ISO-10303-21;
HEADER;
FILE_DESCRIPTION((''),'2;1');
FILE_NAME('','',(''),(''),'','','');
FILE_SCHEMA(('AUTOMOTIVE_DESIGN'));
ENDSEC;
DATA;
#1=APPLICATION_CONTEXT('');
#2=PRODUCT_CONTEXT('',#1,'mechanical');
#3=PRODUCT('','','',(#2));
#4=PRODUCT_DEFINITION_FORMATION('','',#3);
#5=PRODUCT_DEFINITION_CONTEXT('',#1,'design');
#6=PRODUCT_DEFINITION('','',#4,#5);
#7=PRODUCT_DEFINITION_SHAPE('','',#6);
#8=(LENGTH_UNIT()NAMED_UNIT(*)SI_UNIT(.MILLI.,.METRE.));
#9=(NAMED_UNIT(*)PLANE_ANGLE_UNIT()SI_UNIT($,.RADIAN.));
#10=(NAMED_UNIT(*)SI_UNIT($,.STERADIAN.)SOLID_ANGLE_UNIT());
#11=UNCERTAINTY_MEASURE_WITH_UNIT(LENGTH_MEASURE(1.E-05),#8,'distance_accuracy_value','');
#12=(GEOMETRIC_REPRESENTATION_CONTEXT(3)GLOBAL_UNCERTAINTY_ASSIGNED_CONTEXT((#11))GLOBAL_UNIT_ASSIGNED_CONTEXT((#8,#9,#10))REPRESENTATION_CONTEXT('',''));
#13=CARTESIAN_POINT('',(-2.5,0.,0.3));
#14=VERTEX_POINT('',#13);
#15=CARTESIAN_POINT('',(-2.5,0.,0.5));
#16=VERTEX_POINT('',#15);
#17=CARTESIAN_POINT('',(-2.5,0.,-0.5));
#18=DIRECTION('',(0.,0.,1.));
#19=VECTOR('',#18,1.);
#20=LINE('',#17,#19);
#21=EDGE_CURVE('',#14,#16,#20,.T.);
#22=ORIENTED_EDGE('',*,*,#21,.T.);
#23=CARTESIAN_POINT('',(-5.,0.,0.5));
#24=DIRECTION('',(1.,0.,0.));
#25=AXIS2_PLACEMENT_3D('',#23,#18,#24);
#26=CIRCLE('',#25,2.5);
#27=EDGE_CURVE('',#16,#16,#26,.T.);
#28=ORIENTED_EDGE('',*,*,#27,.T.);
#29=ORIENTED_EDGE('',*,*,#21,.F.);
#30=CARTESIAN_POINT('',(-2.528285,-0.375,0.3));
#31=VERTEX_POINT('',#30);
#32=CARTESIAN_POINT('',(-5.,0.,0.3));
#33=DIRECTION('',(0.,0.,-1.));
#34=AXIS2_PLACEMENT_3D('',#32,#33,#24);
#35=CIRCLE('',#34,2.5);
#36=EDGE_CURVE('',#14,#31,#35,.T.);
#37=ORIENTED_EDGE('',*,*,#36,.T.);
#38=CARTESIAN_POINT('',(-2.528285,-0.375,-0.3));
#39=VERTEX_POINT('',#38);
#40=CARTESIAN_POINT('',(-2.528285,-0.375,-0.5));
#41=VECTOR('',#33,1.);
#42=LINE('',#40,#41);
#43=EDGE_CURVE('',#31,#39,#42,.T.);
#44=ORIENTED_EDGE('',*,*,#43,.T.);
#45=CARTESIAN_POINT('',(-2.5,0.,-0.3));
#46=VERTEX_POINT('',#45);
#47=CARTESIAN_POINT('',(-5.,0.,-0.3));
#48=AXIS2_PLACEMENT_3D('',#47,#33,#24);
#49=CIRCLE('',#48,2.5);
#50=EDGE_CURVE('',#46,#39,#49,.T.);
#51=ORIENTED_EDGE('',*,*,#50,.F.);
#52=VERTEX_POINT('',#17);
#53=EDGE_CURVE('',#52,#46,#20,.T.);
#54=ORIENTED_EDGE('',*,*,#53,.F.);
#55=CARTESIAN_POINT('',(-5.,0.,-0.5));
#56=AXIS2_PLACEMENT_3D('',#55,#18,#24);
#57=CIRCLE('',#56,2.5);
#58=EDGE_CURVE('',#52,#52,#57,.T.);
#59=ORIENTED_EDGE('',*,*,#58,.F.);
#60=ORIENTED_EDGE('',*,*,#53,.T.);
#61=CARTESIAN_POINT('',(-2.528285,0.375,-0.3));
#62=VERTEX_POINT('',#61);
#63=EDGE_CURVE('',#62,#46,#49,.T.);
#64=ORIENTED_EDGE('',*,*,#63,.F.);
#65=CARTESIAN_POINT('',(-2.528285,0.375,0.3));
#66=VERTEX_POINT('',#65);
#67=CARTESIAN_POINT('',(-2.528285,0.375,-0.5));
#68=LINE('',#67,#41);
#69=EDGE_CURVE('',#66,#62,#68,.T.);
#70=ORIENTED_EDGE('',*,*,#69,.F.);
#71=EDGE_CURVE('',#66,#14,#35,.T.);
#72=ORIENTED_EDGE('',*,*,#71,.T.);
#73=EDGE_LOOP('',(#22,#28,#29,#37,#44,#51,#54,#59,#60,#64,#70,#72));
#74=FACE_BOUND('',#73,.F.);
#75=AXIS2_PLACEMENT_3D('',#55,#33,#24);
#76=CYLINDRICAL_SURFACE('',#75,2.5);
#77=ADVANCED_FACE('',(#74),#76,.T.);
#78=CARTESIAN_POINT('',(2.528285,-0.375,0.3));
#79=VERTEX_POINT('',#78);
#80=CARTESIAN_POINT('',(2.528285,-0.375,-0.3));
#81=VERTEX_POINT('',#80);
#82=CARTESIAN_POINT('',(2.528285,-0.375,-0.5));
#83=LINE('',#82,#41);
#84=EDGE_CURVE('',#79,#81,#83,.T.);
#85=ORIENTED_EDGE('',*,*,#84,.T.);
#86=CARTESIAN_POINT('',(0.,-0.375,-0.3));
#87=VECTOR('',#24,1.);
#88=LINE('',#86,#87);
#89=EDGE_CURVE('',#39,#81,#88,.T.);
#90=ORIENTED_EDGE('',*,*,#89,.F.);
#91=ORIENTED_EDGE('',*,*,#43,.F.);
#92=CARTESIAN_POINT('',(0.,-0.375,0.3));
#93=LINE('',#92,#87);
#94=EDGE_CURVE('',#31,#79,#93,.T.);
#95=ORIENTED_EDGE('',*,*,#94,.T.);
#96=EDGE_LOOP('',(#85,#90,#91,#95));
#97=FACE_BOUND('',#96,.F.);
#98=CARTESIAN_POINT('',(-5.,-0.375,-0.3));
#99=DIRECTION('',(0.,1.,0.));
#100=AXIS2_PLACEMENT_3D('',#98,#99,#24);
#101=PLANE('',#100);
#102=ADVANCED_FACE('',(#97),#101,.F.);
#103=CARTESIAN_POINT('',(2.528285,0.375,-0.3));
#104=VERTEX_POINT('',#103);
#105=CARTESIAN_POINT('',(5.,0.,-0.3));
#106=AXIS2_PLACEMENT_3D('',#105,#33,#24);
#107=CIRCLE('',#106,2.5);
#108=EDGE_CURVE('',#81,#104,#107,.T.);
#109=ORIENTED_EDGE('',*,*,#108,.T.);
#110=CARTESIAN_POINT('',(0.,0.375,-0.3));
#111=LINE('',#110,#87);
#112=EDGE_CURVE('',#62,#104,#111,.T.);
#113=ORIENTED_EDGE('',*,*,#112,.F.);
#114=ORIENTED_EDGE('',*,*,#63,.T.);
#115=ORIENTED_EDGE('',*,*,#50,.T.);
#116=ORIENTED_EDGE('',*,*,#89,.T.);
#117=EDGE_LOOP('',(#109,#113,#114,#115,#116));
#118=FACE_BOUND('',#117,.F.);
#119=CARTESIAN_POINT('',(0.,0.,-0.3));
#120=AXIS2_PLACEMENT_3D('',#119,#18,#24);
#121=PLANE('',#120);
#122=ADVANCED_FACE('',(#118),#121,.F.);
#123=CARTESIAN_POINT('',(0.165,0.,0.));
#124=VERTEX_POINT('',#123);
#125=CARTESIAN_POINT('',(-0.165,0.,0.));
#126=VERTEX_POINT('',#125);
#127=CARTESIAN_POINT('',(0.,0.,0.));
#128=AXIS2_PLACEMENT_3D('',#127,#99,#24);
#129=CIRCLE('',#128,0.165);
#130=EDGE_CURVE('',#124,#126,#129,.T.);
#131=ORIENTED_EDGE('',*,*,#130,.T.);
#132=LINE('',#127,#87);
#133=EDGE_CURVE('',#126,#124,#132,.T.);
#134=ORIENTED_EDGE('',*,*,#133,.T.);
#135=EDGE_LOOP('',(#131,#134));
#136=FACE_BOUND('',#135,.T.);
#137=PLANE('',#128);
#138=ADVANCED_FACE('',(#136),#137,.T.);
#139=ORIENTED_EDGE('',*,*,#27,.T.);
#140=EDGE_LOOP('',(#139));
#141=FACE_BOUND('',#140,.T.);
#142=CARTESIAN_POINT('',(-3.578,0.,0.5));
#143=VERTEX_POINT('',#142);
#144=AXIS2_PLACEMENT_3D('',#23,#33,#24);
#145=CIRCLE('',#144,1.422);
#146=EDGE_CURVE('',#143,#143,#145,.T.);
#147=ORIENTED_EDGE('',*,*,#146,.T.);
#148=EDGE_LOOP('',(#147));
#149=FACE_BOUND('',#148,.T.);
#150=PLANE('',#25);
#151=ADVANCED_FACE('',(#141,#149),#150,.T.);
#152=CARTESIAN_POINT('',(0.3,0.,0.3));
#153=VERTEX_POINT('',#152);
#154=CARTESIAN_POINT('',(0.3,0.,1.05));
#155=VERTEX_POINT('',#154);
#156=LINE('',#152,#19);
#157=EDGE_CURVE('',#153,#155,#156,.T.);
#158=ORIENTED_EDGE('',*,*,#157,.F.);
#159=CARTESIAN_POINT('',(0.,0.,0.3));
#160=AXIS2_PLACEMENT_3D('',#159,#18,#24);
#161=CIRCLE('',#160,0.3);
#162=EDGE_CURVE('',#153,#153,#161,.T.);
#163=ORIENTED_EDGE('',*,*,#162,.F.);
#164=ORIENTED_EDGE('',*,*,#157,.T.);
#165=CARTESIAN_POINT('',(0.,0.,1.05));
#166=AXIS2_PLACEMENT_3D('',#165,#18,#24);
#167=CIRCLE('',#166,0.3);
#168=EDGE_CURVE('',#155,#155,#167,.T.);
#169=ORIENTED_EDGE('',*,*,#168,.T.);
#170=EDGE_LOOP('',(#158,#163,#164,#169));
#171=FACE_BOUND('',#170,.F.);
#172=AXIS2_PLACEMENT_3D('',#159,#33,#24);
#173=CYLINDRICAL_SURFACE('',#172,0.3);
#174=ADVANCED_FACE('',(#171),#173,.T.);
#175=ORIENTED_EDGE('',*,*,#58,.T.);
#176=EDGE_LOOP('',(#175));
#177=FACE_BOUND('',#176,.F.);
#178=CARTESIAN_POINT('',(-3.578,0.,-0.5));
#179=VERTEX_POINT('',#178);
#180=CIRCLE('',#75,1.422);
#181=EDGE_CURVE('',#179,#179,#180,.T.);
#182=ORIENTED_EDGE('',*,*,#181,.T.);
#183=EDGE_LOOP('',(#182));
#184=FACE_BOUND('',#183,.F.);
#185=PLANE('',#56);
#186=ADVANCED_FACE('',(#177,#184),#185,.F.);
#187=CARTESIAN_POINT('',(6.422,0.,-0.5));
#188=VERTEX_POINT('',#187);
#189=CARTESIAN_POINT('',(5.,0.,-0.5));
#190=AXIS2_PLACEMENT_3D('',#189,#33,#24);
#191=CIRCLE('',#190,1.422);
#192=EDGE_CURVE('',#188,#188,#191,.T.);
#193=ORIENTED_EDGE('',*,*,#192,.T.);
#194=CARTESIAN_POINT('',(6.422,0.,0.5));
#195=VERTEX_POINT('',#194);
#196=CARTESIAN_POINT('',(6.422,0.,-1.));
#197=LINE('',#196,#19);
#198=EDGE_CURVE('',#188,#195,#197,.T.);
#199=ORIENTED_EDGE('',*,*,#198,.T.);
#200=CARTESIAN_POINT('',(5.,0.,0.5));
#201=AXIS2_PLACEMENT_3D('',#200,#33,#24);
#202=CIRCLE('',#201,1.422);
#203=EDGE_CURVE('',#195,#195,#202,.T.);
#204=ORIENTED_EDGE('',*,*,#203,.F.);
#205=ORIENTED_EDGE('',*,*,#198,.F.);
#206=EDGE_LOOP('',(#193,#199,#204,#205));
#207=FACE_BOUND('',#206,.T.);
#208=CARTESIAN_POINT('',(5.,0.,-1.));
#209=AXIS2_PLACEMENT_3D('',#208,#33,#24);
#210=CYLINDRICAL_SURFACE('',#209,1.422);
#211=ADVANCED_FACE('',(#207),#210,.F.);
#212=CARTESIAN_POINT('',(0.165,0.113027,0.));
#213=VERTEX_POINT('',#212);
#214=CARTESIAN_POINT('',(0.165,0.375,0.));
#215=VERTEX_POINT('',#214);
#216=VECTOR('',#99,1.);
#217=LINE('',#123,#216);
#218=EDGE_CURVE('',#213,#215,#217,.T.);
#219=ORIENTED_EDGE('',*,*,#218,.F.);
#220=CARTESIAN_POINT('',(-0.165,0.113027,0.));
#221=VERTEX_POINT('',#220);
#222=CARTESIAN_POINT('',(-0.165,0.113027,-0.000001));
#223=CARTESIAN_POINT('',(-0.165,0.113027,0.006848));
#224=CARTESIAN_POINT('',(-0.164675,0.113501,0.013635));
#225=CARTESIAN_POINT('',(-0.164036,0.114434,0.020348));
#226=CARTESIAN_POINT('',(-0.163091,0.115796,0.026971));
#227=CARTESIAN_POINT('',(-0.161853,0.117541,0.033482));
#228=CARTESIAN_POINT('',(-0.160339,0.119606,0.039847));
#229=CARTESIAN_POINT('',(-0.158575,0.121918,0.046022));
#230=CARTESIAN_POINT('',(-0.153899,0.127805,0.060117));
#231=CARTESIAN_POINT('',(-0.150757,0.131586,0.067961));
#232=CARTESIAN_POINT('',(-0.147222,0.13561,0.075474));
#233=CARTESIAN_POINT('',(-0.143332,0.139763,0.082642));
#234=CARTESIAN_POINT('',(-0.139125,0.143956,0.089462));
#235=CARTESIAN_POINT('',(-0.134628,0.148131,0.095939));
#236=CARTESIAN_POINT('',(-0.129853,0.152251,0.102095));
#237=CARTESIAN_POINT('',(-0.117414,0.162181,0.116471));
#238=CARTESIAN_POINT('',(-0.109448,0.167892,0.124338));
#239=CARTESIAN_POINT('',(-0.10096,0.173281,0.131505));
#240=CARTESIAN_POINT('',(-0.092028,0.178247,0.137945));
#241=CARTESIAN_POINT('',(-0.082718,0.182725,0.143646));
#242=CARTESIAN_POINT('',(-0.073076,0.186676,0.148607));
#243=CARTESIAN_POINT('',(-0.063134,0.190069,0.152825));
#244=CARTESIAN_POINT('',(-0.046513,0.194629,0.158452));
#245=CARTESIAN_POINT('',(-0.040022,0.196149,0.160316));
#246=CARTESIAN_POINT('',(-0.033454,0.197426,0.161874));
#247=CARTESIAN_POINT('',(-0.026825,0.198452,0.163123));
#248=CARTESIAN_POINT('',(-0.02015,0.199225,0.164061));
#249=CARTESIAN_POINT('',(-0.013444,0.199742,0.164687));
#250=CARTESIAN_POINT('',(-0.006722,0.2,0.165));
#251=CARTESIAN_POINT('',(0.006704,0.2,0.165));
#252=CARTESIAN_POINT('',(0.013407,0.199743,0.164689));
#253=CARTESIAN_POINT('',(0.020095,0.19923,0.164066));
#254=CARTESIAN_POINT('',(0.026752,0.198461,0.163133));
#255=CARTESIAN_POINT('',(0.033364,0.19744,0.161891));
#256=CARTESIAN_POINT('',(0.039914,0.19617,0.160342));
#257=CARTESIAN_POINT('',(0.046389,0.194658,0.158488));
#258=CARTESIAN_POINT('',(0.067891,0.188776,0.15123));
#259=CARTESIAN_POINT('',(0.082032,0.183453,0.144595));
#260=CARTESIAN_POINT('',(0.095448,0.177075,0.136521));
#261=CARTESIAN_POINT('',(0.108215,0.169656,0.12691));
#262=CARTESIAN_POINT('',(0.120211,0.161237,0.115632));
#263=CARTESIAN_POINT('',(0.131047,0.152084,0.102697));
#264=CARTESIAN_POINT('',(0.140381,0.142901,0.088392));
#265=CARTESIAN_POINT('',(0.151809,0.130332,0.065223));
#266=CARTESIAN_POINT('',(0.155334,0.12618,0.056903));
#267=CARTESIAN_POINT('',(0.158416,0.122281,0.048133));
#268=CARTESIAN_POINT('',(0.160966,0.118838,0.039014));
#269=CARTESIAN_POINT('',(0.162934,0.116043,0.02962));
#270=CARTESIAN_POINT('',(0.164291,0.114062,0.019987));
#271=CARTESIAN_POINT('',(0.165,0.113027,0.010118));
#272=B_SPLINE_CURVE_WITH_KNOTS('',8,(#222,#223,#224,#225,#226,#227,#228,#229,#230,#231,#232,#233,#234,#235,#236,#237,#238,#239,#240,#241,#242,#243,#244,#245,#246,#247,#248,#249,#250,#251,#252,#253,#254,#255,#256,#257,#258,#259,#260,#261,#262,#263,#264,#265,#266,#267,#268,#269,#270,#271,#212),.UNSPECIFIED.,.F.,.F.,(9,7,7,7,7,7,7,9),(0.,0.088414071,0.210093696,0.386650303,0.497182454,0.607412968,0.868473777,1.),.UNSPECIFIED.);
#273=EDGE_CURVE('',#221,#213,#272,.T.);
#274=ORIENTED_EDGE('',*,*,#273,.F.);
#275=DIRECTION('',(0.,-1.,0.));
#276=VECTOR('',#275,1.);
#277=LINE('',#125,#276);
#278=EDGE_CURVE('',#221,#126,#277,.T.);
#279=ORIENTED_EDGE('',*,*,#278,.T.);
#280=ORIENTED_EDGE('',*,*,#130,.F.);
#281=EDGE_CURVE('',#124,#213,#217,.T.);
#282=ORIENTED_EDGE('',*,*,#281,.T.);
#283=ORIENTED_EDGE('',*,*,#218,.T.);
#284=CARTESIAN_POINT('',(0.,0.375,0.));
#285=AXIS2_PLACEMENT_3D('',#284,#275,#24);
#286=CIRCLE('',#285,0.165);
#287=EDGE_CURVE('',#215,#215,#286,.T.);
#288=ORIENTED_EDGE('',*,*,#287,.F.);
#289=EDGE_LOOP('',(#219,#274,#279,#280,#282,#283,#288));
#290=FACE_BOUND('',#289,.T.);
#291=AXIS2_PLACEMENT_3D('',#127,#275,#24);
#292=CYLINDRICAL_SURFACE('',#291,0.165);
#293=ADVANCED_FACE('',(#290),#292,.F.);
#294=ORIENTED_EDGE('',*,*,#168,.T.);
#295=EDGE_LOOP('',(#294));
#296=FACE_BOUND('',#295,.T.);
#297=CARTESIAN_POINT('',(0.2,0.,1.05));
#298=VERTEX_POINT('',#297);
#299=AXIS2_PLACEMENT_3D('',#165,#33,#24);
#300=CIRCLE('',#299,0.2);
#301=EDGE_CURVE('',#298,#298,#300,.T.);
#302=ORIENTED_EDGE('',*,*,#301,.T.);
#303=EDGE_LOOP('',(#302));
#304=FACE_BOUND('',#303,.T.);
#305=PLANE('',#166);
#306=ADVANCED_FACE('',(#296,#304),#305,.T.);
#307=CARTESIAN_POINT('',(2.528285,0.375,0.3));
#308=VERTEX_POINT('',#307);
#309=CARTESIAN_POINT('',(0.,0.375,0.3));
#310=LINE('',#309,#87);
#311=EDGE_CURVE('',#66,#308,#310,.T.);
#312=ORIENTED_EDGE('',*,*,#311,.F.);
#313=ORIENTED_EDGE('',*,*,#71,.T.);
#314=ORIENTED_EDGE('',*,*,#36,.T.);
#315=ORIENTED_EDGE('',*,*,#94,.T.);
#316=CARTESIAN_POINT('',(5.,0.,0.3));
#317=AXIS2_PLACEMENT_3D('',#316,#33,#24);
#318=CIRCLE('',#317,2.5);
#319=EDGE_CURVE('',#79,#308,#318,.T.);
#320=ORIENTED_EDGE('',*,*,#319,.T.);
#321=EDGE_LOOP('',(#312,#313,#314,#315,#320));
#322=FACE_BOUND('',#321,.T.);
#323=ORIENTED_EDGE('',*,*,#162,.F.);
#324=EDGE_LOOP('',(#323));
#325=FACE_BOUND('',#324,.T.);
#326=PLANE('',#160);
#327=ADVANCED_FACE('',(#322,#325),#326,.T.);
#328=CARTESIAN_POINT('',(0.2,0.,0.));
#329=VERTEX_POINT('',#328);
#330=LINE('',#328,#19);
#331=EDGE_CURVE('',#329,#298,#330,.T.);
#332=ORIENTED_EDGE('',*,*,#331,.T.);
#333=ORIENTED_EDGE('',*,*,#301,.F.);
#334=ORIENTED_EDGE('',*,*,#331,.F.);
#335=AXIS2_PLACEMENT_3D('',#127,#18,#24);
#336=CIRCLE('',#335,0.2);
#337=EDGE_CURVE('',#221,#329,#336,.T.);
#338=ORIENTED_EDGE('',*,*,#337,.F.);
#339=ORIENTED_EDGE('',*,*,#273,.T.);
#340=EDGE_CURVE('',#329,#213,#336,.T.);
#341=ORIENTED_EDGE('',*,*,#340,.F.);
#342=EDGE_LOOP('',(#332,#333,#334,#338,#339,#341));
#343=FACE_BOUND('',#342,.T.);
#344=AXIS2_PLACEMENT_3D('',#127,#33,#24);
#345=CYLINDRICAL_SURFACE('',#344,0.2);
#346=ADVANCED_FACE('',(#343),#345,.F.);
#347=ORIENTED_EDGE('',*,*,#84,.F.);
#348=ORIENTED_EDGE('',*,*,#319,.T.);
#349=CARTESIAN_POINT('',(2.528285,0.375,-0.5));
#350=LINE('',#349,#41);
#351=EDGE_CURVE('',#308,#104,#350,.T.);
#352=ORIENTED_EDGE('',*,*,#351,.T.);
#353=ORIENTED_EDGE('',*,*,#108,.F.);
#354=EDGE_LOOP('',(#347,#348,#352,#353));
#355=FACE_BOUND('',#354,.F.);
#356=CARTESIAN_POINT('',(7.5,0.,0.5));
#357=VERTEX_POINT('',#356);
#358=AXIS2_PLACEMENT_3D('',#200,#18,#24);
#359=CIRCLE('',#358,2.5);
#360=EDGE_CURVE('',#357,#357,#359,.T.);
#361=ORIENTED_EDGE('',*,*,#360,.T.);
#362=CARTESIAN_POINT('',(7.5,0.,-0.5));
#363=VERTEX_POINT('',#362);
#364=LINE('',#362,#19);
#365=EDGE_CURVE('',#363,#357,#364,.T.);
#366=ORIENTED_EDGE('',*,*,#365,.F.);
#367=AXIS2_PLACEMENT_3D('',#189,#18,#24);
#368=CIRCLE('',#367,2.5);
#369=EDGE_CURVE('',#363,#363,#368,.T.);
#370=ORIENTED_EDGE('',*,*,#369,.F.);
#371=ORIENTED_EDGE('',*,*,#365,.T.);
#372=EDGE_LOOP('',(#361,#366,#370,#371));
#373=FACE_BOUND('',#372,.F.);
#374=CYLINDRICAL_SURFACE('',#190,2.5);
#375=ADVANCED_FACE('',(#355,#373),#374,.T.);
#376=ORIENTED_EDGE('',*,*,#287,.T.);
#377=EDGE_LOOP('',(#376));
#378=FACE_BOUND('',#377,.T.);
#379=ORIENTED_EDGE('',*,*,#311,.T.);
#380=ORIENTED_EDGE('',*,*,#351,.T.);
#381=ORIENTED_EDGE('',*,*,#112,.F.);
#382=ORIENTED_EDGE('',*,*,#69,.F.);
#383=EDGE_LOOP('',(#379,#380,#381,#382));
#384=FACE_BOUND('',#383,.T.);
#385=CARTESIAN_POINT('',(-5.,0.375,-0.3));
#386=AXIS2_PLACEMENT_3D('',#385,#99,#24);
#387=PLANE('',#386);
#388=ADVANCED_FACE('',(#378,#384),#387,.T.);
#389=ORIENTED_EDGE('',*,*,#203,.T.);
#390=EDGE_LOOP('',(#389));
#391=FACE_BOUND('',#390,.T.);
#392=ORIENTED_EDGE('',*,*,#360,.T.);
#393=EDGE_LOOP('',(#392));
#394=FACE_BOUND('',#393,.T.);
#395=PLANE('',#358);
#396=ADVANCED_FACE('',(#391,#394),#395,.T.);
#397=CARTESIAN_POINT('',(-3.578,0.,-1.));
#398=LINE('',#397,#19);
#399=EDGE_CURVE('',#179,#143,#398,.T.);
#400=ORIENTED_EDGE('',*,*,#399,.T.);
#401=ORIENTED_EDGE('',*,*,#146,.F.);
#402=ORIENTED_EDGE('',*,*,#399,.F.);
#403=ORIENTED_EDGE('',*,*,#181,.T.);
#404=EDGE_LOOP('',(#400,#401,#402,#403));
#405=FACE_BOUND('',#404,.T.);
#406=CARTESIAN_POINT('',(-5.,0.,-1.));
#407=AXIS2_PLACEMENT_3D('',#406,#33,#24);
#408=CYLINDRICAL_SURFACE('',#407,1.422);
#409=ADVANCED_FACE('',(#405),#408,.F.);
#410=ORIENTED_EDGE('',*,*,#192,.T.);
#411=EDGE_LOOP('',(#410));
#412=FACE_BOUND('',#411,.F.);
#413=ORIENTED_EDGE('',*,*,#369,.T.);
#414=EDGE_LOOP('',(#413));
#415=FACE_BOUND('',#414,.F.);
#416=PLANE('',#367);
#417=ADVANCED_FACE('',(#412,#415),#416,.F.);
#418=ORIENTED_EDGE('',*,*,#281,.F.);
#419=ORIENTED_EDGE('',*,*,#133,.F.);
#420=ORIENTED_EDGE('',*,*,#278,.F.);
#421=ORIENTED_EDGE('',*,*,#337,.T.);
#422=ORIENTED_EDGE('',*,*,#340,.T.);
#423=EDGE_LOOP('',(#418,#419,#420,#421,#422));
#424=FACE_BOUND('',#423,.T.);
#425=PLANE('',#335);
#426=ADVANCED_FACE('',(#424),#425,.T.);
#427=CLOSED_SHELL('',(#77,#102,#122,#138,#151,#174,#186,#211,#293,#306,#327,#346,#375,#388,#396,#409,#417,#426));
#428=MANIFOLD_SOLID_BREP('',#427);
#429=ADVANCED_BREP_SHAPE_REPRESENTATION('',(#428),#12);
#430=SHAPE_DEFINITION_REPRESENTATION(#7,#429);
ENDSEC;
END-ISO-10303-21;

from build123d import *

# Parameters (mm, degrees)
CYLINDER136_R     = 0.2
CYLINDER136_DEPTH = 9
CYLINDER_R        = 1.422
CYLINDER_DEPTH    = 2
CYLINDER139_R     = 1.422
CYLINDER139_DEPTH = 2
CYLINDER138_R     = 0.165
CYLINDER138_DEPTH = 8
CYLINDER142_R     = 2.5
CYLINDER142_DEPTH = 1
CYLINDER141_R     = 2.5
CYLINDER141_DEPTH = 1
CYLINDER140_R     = 0.3
CYLINDER140_DEPTH = 0.75
BOX_W             = 10
BOX_H             = 0.75
BOX_DEPTH         = 0.6


with BuildPart() as bowtienozzle:
    # Cylinder136 → Cylinder136 (new body)
    with BuildSketch(Plane.XY):
        Circle(CYLINDER136_R)
    extrude(amount=CYLINDER136_DEPTH)


with BuildPart() as mountinghole1:
    # Cylinder → Cylinder (new body)
    with BuildSketch(Plane(origin=(-5, 0, -1), x_dir=(1, 0, 0), z_dir=(0, 0, 1))):
        Circle(CYLINDER_R)
    extrude(amount=CYLINDER_DEPTH)


with BuildPart() as mountinghole2:
    # Cylinder139 → Cylinder139 (new body)
    with BuildSketch(Plane(origin=(5, 0, -1), x_dir=(1, 0, 0), z_dir=(0, 0, 1))):
        Circle(CYLINDER139_R)
    extrude(amount=CYLINDER139_DEPTH)


with BuildPart() as fusion001:
    # Cylinder138 → Cylinder138 (new body)
    with BuildSketch(Plane(origin=(0, 0, 0), x_dir=(1, 0, 0), z_dir=(0, 1, 0))):
        Circle(CYLINDER138_R)
    extrude(amount=CYLINDER138_DEPTH)

    # Fusion001: union BowTieNozzle, MountingHole1, MountingHole2
    add(bowtienozzle.part)
    add(mountinghole1.part)
    add(mountinghole2.part)


with BuildPart() as mountingholeod001:
    # Cylinder142 → Cylinder142 (new body)
    with BuildSketch(Plane(origin=(5, 0, -0.5), x_dir=(1, 0, 0), z_dir=(0, 0, 1))):
        Circle(CYLINDER142_R)
    extrude(amount=CYLINDER142_DEPTH)


with BuildPart() as mountingholeod:
    # Cylinder141 → Cylinder141 (new body)
    with BuildSketch(Plane(origin=(-5, 0, -0.5), x_dir=(1, 0, 0), z_dir=(0, 0, 1))):
        Circle(CYLINDER141_R)
    extrude(amount=CYLINDER141_DEPTH)


with BuildPart() as nozzle_od:
    # Cylinder140 → Cylinder140 (new body)
    with BuildSketch(Plane.XY.offset(0.3)):
        Circle(CYLINDER140_R)
    extrude(amount=CYLINDER140_DEPTH)


with BuildPart() as cut:
    # Box → Box (new body)
    with BuildSketch(Plane(origin=(-5, -0.375, -0.3), x_dir=(1, 0, 0), z_dir=(0, 0, 1))):
        with Locations((5, 0.375)):
            Rectangle(BOX_W, BOX_H)
    extrude(amount=BOX_DEPTH)

    # Fusion: union MountingHoleOD001, MountingHoleOD, Nozzle_OD
    add(mountingholeod001.part)
    add(mountingholeod.part)
    add(nozzle_od.part)

    # Cut: cut Fusion001
    add(fusion001.part, mode=Mode.SUBTRACT)


solid = cut.part
